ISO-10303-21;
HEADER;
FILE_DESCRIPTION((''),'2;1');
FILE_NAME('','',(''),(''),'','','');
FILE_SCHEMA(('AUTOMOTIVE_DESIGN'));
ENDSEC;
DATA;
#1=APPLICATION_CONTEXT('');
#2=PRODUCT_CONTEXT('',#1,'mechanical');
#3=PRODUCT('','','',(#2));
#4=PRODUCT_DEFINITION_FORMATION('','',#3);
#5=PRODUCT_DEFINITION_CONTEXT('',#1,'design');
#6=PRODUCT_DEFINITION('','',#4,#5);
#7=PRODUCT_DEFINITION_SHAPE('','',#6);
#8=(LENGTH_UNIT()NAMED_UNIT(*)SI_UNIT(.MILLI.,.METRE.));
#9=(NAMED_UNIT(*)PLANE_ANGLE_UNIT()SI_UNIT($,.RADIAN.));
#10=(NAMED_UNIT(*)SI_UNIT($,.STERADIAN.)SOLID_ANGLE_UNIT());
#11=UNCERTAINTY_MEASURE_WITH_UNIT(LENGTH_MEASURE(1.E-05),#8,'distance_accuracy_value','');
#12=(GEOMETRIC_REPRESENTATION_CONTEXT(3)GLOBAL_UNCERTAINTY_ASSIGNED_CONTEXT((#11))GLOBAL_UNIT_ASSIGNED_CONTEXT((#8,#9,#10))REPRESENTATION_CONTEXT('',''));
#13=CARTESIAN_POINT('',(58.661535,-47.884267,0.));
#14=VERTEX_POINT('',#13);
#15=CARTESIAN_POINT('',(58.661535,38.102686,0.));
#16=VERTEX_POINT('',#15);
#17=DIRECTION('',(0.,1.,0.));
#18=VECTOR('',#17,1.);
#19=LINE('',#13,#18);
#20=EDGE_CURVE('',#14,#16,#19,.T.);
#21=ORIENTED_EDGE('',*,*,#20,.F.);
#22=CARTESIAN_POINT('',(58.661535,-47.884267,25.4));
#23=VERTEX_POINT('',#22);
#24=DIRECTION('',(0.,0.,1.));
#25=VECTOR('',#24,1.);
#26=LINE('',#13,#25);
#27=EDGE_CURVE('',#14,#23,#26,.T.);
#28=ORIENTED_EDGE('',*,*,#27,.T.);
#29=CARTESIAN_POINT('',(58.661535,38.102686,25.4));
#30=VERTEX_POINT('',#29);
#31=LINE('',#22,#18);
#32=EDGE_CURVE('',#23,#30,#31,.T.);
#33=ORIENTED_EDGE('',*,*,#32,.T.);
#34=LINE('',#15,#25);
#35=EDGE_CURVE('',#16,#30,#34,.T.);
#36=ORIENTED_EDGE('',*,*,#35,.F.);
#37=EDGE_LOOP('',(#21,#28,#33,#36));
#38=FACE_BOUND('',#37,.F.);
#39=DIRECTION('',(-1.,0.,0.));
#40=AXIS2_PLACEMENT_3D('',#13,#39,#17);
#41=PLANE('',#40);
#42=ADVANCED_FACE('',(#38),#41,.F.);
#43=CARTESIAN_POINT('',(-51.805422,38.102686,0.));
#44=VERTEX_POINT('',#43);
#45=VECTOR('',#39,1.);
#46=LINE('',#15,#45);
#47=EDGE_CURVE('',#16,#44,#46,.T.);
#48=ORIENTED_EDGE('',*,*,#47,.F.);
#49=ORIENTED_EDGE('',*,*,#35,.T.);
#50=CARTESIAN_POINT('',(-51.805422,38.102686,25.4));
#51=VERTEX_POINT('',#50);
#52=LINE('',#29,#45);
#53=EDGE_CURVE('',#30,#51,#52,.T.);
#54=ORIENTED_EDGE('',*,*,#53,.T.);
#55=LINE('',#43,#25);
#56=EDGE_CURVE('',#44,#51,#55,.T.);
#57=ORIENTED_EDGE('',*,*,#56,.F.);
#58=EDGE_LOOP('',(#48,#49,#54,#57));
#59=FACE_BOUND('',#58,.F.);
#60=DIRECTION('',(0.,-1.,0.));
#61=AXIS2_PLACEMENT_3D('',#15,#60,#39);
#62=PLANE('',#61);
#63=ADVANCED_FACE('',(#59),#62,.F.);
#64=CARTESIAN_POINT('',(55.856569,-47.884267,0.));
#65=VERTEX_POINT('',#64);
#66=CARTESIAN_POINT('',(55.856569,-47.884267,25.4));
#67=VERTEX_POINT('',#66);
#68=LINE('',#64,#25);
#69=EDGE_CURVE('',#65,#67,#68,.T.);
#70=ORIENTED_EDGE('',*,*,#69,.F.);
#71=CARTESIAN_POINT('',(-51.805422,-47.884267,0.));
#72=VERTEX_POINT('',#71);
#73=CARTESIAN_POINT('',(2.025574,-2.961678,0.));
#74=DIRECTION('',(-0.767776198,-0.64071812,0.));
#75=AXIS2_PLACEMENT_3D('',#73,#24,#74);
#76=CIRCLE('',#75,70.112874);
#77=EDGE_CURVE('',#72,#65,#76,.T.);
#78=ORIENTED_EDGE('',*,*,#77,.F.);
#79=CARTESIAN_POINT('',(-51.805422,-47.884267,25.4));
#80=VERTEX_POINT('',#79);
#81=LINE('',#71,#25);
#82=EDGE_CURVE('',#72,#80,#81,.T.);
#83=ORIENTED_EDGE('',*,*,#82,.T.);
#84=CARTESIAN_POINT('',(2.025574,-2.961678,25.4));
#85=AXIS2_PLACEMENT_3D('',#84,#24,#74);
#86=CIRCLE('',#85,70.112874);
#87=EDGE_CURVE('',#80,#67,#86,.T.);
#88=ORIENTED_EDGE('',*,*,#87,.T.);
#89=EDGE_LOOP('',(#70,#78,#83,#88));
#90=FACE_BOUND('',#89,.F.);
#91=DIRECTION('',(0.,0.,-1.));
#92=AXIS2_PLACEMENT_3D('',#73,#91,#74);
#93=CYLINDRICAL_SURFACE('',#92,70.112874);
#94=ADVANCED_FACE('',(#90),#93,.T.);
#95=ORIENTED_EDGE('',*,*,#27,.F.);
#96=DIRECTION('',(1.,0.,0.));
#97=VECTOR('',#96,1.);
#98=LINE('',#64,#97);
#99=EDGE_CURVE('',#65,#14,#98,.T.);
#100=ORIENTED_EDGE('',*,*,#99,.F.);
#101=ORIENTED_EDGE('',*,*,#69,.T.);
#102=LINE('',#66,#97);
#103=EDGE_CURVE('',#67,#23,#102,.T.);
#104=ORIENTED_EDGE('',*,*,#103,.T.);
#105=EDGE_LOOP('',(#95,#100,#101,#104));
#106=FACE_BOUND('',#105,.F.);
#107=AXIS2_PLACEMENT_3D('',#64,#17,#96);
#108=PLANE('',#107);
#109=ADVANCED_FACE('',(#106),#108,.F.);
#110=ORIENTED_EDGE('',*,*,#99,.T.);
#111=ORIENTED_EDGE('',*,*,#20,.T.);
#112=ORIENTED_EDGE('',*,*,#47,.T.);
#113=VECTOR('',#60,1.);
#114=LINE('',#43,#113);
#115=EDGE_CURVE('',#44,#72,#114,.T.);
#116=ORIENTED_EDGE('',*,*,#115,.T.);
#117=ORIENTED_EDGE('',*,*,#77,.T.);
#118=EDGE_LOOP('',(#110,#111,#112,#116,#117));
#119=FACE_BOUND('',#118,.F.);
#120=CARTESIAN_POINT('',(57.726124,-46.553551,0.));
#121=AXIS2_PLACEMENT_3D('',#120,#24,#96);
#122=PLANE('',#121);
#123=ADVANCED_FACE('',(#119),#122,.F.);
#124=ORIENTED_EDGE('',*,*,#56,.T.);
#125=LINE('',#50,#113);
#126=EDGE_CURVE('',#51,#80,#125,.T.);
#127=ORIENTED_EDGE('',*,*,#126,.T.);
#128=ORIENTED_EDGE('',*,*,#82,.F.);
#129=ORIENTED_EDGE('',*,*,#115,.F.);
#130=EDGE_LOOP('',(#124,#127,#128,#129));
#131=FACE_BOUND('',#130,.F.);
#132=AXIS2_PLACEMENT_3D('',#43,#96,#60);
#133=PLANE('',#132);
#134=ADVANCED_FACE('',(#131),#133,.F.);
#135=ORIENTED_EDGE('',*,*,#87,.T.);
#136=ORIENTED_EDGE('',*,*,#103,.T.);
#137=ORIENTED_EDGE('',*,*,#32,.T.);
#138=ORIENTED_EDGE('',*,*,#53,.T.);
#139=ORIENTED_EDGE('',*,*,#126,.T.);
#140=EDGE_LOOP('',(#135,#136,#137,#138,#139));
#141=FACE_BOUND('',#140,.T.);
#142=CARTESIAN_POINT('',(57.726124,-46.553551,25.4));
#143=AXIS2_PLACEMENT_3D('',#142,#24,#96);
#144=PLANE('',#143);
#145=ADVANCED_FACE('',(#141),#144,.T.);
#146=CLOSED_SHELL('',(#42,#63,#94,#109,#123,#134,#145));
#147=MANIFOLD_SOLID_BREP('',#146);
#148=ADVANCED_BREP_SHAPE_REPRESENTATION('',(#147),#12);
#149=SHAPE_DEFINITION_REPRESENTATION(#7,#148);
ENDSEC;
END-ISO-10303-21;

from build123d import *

# Parameters (mm, degrees)
F1_DEPTH = 25.4


with BuildPart() as f1:
    # F0 (on Top) → F1 (new body)
    with BuildSketch(Plane.XY):
        with BuildLine():
            Line((55.856569, -47.884267), (58.661535, -47.884267))
            Line((58.661535, -47.884267), (58.661535, -44.291846))
            ThreePointArc((58.661535, -44.291846), (57.288251, -46.110855), (55.856569, -47.884267))
        make_face()
        with BuildLine():
            ThreePointArc((-51.805422, -47.884267), (2.025573, -73.074552), (55.856569, -47.884267))
            Line((55.856569, -47.884267), (-51.805422, -47.884267))
        make_face()
        with BuildLine():
            Line((-51.805422, -47.884267), (55.856569, -47.884267))
            ThreePointArc((55.856569, -47.884267), (57.288251, -46.110855), (58.661535, -44.291846))
            Line((58.661535, -44.291846), (58.661535, 38.102686))
            Line((58.661535, 38.102686), (-51.805422, 38.102686))
            Line((-51.805422, 38.102686), (-51.805422, -47.884267))
        make_face()
    extrude(amount=F1_DEPTH)


solid = f1.part
